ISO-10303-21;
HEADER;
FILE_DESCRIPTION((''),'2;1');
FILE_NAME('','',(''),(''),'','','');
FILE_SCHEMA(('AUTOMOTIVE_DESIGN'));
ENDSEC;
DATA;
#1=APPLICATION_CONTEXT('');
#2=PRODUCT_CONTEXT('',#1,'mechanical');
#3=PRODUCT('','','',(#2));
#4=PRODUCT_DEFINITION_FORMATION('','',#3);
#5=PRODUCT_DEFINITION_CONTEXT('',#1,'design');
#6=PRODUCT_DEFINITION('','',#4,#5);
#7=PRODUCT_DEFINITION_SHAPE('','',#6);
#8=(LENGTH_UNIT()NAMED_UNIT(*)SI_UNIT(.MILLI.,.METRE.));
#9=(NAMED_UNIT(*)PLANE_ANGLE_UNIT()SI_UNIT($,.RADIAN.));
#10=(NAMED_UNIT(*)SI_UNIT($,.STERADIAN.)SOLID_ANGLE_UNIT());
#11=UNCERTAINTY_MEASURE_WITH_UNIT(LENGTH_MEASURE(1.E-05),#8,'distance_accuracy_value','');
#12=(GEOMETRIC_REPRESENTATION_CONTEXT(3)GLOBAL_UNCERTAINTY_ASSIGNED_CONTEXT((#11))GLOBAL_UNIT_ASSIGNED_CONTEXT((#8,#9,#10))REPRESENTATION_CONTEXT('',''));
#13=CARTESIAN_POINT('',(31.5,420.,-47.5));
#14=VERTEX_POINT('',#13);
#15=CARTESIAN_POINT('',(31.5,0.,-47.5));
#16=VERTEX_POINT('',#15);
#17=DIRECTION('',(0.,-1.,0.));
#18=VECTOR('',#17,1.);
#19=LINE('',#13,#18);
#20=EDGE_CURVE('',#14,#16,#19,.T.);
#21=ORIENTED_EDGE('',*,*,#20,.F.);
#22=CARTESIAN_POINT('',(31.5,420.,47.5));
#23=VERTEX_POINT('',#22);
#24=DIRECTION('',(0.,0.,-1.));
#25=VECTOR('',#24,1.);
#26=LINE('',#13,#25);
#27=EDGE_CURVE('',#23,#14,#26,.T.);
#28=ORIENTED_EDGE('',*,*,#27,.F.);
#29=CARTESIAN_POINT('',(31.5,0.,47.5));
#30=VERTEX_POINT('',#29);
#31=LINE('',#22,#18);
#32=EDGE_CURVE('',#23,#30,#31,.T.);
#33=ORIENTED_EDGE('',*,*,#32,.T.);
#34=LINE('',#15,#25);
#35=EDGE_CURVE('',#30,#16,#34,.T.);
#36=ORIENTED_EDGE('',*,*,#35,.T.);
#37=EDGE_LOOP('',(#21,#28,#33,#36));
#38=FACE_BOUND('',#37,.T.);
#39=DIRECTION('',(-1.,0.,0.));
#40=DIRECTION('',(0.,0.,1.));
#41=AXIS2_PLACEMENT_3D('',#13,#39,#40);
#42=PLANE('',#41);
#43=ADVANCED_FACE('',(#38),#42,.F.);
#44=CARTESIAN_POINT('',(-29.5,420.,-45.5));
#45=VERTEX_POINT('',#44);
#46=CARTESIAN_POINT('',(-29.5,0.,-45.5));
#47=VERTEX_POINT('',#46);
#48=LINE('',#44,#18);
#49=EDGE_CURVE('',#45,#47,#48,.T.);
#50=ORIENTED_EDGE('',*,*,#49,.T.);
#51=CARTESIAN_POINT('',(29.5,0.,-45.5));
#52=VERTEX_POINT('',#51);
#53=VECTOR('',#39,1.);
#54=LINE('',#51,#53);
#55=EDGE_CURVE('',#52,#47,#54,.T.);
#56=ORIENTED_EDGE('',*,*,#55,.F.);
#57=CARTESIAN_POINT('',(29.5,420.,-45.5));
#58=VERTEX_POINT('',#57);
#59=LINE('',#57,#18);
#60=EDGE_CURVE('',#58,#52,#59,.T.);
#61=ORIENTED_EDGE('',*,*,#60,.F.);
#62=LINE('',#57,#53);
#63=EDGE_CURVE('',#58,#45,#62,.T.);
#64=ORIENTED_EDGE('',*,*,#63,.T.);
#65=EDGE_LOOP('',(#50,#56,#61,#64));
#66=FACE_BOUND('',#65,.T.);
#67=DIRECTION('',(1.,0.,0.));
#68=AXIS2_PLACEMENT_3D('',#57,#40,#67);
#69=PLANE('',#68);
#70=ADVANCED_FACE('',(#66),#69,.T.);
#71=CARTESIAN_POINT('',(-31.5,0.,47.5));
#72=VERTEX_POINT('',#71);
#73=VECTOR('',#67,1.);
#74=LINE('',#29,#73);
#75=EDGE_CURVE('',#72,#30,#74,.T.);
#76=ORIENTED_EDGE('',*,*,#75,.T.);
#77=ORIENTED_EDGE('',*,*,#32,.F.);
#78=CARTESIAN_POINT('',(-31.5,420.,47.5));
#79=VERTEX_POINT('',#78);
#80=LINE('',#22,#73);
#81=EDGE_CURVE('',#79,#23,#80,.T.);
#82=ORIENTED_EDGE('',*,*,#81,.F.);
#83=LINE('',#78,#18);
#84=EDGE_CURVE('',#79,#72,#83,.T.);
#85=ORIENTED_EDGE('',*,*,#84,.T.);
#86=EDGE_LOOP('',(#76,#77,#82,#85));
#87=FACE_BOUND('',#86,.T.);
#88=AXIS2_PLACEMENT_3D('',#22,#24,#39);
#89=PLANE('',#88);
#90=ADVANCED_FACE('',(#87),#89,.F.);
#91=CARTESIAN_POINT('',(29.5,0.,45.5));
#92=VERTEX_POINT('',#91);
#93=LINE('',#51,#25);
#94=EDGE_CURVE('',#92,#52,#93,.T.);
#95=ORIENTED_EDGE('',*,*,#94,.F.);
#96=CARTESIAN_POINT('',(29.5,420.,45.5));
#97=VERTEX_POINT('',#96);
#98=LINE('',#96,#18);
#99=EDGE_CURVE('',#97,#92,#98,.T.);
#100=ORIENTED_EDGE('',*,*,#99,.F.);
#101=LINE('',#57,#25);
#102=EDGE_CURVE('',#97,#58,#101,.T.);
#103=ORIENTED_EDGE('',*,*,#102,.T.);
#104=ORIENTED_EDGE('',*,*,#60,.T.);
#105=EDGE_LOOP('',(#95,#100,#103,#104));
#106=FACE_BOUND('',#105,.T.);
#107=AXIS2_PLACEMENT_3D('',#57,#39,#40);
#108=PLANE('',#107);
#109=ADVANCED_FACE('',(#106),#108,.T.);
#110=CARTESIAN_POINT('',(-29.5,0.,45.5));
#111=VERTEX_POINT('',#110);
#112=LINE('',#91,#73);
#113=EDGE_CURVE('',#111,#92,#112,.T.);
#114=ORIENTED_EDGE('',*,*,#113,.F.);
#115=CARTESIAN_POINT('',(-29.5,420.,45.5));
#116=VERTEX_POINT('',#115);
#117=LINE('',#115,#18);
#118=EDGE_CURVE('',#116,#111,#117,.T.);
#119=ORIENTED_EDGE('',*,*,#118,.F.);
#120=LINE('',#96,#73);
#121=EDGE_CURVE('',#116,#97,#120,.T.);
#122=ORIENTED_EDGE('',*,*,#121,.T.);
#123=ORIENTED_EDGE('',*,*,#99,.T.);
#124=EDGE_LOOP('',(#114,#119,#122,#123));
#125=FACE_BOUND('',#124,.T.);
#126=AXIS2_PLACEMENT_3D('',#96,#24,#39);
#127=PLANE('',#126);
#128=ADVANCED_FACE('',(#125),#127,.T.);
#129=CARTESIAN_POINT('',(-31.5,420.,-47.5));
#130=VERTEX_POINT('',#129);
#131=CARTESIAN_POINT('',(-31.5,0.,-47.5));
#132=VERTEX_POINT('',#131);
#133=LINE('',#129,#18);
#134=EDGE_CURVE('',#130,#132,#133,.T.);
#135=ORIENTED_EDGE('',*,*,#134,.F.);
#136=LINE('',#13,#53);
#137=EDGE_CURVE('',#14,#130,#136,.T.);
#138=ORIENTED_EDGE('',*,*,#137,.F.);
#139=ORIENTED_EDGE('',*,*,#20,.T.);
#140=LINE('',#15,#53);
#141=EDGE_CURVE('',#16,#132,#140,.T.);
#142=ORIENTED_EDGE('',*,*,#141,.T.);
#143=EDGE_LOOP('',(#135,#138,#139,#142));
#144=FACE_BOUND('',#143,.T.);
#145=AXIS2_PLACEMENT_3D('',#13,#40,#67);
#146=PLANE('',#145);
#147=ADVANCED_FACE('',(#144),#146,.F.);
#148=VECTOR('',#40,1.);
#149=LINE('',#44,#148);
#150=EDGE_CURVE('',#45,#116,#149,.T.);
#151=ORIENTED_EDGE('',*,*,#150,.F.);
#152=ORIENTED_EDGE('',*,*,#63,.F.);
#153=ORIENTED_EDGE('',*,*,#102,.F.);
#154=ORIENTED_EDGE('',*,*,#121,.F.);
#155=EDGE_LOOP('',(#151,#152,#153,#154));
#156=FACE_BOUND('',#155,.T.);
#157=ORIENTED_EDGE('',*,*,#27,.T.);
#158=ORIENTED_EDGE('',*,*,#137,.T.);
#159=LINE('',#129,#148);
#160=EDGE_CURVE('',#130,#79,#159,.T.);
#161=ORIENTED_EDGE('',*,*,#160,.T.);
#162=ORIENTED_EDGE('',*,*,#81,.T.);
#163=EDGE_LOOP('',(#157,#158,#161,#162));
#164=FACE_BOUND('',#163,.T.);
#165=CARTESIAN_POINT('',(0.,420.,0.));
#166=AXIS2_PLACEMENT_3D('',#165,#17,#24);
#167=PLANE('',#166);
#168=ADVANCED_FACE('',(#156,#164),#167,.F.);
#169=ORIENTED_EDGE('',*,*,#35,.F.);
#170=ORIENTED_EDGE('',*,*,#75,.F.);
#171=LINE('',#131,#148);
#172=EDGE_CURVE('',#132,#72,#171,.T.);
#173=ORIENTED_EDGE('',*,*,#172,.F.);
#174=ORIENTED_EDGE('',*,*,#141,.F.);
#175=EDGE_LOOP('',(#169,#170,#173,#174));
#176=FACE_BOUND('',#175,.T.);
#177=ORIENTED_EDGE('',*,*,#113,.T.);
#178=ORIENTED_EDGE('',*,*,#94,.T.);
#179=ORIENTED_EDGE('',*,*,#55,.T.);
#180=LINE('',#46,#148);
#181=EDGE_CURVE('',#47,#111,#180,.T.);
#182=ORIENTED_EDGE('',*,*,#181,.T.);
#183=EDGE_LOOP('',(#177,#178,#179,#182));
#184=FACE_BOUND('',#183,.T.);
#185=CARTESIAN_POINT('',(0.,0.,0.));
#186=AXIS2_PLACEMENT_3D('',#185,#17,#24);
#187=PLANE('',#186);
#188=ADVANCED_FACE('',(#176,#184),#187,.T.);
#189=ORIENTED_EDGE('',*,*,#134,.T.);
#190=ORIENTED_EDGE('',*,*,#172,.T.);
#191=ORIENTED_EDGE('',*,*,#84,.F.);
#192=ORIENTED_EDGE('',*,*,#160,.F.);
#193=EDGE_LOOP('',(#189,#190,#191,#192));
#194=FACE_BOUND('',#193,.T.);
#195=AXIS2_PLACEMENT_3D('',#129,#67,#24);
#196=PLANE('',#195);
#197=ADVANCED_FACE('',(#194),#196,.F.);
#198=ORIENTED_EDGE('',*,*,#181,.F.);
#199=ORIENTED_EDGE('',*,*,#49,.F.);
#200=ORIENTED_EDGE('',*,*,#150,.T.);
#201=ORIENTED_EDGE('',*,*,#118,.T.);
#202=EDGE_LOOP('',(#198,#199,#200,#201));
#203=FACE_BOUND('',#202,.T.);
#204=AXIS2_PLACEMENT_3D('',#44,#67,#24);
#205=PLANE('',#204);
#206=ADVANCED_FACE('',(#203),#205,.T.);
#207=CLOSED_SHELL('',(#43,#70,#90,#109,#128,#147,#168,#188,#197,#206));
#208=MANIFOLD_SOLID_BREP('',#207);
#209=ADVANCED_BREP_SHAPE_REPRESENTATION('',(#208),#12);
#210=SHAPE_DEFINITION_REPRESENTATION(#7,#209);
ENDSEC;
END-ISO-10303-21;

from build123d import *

# Parameters (mm, degrees)
CROQUIS1_W              = 63
CROQUIS1_H              = 95
CROQUIS1_W_2            = 59
CROQUIS1_H_2            = 91
SALIENTE_EXTRUIR1_DEPTH = 420


with BuildPart() as part:
    # Croquis1 → Saliente-Extruir1 (new body)
    with BuildSketch(Plane(origin=(0, 0, 0), x_dir=(1, 0, 0), z_dir=(0, 1, 0))):
        Rectangle(CROQUIS1_W, CROQUIS1_H)
        Rectangle(CROQUIS1_W_2, CROQUIS1_H_2, mode=Mode.SUBTRACT)
    extrude(amount=SALIENTE_EXTRUIR1_DEPTH)


solid = part.part
